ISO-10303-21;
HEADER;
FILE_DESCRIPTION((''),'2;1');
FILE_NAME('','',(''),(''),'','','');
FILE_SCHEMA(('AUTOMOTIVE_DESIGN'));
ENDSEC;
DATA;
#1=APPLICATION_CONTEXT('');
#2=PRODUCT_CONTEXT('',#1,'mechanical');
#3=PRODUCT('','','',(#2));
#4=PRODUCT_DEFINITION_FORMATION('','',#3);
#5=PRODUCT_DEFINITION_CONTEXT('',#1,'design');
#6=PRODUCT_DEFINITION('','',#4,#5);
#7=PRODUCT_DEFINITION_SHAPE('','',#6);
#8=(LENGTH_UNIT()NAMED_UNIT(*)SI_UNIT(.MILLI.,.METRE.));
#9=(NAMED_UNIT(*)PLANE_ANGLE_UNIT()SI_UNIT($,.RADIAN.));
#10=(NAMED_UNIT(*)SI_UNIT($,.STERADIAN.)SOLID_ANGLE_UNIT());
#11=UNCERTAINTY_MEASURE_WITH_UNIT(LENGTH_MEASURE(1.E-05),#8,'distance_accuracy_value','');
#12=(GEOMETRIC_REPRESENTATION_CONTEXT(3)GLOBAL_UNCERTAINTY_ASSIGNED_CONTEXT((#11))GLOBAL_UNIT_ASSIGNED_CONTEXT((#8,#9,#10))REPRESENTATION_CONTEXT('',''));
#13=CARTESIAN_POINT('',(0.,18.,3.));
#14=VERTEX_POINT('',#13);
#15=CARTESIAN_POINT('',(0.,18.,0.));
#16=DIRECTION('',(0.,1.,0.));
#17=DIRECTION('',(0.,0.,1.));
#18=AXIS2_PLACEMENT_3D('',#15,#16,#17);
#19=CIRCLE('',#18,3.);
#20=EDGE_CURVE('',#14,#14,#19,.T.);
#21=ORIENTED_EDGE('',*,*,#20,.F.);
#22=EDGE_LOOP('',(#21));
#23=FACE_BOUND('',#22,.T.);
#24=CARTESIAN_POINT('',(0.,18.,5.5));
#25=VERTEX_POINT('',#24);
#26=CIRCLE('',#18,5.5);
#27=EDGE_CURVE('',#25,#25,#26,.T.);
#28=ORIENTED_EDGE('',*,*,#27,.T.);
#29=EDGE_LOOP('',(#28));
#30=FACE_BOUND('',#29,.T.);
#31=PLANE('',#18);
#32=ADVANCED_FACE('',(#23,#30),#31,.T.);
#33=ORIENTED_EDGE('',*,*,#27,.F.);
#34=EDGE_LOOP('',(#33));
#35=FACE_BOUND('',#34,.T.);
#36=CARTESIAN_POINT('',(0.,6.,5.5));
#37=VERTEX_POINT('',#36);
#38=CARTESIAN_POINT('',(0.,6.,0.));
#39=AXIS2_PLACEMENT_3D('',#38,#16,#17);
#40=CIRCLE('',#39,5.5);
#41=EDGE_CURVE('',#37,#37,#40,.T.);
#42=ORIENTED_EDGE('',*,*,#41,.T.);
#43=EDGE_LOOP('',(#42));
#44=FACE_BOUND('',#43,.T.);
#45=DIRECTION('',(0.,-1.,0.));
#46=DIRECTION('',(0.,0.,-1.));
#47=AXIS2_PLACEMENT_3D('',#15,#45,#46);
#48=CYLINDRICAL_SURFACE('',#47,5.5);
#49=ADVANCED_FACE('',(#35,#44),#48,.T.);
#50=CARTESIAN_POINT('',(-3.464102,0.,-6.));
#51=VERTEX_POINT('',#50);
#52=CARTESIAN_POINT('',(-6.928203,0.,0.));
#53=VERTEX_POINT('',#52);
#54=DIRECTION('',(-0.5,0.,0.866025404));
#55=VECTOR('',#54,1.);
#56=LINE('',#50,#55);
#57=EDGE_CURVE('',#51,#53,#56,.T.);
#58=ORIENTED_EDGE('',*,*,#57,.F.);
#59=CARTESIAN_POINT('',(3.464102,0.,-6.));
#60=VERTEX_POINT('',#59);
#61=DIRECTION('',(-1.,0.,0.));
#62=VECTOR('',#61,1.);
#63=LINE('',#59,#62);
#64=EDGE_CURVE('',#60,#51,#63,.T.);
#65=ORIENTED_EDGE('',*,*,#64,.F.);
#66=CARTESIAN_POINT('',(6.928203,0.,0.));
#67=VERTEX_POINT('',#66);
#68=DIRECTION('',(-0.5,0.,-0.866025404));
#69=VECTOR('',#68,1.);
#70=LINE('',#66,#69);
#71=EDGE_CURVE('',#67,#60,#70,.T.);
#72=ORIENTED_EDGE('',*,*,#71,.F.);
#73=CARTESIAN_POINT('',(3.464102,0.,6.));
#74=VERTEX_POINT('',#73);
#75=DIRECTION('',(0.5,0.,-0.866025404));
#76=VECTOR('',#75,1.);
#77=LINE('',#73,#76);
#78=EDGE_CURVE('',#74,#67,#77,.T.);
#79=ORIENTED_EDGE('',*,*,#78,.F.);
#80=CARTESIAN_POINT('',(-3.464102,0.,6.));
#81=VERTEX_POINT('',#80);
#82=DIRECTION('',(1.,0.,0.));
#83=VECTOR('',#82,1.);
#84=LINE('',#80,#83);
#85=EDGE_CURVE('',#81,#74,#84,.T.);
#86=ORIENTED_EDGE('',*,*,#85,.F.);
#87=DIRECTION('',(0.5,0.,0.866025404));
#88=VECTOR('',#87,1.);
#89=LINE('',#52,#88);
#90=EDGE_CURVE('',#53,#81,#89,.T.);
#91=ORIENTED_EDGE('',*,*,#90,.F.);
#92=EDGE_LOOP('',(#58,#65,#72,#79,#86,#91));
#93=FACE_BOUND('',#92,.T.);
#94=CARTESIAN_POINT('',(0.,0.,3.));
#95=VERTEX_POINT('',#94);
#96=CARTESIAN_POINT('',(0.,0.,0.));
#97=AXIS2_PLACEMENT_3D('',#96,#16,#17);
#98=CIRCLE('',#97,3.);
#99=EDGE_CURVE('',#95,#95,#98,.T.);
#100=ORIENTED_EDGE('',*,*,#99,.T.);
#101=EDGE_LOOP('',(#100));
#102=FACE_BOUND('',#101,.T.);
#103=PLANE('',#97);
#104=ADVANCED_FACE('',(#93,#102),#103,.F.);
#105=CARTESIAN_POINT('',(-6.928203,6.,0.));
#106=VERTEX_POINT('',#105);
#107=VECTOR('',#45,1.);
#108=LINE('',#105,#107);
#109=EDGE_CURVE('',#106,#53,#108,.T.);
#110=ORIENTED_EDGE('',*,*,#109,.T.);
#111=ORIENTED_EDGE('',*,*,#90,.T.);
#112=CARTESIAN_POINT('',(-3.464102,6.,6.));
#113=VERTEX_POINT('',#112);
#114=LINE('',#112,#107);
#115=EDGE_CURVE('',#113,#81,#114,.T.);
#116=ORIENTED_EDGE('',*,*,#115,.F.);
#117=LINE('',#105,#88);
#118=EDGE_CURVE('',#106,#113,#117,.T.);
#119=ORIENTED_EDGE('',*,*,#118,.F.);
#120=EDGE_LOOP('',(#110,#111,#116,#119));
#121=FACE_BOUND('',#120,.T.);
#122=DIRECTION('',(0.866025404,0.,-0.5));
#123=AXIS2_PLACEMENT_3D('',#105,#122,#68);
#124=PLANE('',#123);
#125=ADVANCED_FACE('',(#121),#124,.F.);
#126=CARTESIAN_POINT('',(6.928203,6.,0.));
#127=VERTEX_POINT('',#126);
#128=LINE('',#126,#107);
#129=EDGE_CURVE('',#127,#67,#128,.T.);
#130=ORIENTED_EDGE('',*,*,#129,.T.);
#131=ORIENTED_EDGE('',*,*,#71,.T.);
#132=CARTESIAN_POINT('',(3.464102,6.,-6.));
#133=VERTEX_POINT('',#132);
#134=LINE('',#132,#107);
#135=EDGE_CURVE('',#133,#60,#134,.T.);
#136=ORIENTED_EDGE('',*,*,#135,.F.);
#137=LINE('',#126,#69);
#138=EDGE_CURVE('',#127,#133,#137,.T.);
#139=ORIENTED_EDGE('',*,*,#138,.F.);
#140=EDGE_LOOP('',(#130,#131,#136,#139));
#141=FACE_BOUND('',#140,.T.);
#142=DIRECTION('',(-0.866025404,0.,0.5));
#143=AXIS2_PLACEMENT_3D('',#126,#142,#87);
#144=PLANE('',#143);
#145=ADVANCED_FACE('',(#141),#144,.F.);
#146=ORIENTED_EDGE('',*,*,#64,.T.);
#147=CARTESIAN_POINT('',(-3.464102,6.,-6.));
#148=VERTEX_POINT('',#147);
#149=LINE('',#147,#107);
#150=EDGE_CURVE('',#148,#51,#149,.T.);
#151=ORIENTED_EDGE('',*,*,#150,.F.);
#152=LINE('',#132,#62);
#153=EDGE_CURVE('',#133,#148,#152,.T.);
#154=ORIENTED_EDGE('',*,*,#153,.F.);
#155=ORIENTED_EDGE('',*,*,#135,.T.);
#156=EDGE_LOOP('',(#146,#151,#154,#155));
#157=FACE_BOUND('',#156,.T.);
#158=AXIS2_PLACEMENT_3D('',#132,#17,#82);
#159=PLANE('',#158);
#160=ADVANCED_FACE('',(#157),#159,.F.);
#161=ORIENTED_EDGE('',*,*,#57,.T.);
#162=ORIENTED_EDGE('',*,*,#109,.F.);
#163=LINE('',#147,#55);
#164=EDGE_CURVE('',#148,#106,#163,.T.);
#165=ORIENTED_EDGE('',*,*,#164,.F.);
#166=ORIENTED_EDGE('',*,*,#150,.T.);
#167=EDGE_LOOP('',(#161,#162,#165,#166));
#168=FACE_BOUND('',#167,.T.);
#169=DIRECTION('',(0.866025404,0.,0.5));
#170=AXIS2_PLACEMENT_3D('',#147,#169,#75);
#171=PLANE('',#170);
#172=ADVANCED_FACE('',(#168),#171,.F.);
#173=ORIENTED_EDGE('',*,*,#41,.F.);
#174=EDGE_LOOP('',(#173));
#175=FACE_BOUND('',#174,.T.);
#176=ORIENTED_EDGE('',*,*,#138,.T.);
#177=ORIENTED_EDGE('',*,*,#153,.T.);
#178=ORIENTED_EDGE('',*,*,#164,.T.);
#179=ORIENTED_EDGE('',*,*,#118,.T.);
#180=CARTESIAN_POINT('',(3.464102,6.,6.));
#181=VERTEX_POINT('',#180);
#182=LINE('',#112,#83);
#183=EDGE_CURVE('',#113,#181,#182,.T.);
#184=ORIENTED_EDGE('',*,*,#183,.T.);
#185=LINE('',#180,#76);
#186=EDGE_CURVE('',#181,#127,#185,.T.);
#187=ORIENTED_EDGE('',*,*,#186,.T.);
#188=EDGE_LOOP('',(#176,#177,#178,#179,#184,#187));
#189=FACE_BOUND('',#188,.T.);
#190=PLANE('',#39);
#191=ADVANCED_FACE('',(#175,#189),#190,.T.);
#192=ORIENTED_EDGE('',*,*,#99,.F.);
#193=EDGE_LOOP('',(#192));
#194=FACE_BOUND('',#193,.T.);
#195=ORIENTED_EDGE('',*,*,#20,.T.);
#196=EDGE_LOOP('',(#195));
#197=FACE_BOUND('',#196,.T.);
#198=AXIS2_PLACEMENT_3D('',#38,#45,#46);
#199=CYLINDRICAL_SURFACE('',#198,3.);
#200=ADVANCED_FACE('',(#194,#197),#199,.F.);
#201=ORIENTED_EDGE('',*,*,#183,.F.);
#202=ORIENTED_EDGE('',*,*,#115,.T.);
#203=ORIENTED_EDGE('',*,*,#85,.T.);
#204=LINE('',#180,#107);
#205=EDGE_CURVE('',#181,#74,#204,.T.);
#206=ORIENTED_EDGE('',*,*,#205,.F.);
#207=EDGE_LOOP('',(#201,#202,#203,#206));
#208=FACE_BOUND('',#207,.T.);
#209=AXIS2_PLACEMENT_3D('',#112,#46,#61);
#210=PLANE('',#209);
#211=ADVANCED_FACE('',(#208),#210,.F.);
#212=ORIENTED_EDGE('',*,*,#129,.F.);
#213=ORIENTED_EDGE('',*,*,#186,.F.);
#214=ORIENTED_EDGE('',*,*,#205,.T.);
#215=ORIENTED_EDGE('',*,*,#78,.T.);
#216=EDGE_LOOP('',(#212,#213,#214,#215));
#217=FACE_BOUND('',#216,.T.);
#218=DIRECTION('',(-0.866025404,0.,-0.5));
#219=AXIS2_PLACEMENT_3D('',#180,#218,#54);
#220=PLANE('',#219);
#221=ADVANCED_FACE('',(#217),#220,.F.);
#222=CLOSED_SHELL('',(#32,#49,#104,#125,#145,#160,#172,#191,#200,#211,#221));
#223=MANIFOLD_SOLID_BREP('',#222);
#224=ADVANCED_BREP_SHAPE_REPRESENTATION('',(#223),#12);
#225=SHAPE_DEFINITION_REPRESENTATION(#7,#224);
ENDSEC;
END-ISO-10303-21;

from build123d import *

# Parameters (mm, degrees)
SKETCH_1_R      = 3
EXTRUDE_1_DEPTH = 6
SKETCH_2_R      = 5.5
SKETCH_2_R_2    = 3
EXTRUDE_2_DEPTH = 12


with BuildPart() as part:
    # 草图1 → 凸台-拉伸1 (new body)
    with BuildSketch(Plane(origin=(0, 0, 0), x_dir=(1, 0, 0), z_dir=(0, 1, 0))):
        Polygon((6.92820323, 0), (3.464101615, 6), (-3.464101615, 6), (-6.92820323, 0), (-3.464101615, -6), (3.464101615, -6), align=None)
        with Locations(Location((0, 0, 0), (0, 0, 270))):
            Circle(SKETCH_1_R, mode=Mode.SUBTRACT)
    extrude(amount=EXTRUDE_1_DEPTH)

    # 草图2 → 凸台-拉伸2 (add)
    with BuildSketch(Plane(origin=(0, 6, 0), x_dir=(1, 0, 0), z_dir=(0, 1, 0))):
        with Locations(Location((0, 0, 0), (0, 0, 270))):
            Circle(SKETCH_2_R)
        with Locations(Location((0, 0, 0), (0, 0, 270))):
            Circle(SKETCH_2_R_2, mode=Mode.SUBTRACT)
    extrude(amount=EXTRUDE_2_DEPTH)


solid = part.part
